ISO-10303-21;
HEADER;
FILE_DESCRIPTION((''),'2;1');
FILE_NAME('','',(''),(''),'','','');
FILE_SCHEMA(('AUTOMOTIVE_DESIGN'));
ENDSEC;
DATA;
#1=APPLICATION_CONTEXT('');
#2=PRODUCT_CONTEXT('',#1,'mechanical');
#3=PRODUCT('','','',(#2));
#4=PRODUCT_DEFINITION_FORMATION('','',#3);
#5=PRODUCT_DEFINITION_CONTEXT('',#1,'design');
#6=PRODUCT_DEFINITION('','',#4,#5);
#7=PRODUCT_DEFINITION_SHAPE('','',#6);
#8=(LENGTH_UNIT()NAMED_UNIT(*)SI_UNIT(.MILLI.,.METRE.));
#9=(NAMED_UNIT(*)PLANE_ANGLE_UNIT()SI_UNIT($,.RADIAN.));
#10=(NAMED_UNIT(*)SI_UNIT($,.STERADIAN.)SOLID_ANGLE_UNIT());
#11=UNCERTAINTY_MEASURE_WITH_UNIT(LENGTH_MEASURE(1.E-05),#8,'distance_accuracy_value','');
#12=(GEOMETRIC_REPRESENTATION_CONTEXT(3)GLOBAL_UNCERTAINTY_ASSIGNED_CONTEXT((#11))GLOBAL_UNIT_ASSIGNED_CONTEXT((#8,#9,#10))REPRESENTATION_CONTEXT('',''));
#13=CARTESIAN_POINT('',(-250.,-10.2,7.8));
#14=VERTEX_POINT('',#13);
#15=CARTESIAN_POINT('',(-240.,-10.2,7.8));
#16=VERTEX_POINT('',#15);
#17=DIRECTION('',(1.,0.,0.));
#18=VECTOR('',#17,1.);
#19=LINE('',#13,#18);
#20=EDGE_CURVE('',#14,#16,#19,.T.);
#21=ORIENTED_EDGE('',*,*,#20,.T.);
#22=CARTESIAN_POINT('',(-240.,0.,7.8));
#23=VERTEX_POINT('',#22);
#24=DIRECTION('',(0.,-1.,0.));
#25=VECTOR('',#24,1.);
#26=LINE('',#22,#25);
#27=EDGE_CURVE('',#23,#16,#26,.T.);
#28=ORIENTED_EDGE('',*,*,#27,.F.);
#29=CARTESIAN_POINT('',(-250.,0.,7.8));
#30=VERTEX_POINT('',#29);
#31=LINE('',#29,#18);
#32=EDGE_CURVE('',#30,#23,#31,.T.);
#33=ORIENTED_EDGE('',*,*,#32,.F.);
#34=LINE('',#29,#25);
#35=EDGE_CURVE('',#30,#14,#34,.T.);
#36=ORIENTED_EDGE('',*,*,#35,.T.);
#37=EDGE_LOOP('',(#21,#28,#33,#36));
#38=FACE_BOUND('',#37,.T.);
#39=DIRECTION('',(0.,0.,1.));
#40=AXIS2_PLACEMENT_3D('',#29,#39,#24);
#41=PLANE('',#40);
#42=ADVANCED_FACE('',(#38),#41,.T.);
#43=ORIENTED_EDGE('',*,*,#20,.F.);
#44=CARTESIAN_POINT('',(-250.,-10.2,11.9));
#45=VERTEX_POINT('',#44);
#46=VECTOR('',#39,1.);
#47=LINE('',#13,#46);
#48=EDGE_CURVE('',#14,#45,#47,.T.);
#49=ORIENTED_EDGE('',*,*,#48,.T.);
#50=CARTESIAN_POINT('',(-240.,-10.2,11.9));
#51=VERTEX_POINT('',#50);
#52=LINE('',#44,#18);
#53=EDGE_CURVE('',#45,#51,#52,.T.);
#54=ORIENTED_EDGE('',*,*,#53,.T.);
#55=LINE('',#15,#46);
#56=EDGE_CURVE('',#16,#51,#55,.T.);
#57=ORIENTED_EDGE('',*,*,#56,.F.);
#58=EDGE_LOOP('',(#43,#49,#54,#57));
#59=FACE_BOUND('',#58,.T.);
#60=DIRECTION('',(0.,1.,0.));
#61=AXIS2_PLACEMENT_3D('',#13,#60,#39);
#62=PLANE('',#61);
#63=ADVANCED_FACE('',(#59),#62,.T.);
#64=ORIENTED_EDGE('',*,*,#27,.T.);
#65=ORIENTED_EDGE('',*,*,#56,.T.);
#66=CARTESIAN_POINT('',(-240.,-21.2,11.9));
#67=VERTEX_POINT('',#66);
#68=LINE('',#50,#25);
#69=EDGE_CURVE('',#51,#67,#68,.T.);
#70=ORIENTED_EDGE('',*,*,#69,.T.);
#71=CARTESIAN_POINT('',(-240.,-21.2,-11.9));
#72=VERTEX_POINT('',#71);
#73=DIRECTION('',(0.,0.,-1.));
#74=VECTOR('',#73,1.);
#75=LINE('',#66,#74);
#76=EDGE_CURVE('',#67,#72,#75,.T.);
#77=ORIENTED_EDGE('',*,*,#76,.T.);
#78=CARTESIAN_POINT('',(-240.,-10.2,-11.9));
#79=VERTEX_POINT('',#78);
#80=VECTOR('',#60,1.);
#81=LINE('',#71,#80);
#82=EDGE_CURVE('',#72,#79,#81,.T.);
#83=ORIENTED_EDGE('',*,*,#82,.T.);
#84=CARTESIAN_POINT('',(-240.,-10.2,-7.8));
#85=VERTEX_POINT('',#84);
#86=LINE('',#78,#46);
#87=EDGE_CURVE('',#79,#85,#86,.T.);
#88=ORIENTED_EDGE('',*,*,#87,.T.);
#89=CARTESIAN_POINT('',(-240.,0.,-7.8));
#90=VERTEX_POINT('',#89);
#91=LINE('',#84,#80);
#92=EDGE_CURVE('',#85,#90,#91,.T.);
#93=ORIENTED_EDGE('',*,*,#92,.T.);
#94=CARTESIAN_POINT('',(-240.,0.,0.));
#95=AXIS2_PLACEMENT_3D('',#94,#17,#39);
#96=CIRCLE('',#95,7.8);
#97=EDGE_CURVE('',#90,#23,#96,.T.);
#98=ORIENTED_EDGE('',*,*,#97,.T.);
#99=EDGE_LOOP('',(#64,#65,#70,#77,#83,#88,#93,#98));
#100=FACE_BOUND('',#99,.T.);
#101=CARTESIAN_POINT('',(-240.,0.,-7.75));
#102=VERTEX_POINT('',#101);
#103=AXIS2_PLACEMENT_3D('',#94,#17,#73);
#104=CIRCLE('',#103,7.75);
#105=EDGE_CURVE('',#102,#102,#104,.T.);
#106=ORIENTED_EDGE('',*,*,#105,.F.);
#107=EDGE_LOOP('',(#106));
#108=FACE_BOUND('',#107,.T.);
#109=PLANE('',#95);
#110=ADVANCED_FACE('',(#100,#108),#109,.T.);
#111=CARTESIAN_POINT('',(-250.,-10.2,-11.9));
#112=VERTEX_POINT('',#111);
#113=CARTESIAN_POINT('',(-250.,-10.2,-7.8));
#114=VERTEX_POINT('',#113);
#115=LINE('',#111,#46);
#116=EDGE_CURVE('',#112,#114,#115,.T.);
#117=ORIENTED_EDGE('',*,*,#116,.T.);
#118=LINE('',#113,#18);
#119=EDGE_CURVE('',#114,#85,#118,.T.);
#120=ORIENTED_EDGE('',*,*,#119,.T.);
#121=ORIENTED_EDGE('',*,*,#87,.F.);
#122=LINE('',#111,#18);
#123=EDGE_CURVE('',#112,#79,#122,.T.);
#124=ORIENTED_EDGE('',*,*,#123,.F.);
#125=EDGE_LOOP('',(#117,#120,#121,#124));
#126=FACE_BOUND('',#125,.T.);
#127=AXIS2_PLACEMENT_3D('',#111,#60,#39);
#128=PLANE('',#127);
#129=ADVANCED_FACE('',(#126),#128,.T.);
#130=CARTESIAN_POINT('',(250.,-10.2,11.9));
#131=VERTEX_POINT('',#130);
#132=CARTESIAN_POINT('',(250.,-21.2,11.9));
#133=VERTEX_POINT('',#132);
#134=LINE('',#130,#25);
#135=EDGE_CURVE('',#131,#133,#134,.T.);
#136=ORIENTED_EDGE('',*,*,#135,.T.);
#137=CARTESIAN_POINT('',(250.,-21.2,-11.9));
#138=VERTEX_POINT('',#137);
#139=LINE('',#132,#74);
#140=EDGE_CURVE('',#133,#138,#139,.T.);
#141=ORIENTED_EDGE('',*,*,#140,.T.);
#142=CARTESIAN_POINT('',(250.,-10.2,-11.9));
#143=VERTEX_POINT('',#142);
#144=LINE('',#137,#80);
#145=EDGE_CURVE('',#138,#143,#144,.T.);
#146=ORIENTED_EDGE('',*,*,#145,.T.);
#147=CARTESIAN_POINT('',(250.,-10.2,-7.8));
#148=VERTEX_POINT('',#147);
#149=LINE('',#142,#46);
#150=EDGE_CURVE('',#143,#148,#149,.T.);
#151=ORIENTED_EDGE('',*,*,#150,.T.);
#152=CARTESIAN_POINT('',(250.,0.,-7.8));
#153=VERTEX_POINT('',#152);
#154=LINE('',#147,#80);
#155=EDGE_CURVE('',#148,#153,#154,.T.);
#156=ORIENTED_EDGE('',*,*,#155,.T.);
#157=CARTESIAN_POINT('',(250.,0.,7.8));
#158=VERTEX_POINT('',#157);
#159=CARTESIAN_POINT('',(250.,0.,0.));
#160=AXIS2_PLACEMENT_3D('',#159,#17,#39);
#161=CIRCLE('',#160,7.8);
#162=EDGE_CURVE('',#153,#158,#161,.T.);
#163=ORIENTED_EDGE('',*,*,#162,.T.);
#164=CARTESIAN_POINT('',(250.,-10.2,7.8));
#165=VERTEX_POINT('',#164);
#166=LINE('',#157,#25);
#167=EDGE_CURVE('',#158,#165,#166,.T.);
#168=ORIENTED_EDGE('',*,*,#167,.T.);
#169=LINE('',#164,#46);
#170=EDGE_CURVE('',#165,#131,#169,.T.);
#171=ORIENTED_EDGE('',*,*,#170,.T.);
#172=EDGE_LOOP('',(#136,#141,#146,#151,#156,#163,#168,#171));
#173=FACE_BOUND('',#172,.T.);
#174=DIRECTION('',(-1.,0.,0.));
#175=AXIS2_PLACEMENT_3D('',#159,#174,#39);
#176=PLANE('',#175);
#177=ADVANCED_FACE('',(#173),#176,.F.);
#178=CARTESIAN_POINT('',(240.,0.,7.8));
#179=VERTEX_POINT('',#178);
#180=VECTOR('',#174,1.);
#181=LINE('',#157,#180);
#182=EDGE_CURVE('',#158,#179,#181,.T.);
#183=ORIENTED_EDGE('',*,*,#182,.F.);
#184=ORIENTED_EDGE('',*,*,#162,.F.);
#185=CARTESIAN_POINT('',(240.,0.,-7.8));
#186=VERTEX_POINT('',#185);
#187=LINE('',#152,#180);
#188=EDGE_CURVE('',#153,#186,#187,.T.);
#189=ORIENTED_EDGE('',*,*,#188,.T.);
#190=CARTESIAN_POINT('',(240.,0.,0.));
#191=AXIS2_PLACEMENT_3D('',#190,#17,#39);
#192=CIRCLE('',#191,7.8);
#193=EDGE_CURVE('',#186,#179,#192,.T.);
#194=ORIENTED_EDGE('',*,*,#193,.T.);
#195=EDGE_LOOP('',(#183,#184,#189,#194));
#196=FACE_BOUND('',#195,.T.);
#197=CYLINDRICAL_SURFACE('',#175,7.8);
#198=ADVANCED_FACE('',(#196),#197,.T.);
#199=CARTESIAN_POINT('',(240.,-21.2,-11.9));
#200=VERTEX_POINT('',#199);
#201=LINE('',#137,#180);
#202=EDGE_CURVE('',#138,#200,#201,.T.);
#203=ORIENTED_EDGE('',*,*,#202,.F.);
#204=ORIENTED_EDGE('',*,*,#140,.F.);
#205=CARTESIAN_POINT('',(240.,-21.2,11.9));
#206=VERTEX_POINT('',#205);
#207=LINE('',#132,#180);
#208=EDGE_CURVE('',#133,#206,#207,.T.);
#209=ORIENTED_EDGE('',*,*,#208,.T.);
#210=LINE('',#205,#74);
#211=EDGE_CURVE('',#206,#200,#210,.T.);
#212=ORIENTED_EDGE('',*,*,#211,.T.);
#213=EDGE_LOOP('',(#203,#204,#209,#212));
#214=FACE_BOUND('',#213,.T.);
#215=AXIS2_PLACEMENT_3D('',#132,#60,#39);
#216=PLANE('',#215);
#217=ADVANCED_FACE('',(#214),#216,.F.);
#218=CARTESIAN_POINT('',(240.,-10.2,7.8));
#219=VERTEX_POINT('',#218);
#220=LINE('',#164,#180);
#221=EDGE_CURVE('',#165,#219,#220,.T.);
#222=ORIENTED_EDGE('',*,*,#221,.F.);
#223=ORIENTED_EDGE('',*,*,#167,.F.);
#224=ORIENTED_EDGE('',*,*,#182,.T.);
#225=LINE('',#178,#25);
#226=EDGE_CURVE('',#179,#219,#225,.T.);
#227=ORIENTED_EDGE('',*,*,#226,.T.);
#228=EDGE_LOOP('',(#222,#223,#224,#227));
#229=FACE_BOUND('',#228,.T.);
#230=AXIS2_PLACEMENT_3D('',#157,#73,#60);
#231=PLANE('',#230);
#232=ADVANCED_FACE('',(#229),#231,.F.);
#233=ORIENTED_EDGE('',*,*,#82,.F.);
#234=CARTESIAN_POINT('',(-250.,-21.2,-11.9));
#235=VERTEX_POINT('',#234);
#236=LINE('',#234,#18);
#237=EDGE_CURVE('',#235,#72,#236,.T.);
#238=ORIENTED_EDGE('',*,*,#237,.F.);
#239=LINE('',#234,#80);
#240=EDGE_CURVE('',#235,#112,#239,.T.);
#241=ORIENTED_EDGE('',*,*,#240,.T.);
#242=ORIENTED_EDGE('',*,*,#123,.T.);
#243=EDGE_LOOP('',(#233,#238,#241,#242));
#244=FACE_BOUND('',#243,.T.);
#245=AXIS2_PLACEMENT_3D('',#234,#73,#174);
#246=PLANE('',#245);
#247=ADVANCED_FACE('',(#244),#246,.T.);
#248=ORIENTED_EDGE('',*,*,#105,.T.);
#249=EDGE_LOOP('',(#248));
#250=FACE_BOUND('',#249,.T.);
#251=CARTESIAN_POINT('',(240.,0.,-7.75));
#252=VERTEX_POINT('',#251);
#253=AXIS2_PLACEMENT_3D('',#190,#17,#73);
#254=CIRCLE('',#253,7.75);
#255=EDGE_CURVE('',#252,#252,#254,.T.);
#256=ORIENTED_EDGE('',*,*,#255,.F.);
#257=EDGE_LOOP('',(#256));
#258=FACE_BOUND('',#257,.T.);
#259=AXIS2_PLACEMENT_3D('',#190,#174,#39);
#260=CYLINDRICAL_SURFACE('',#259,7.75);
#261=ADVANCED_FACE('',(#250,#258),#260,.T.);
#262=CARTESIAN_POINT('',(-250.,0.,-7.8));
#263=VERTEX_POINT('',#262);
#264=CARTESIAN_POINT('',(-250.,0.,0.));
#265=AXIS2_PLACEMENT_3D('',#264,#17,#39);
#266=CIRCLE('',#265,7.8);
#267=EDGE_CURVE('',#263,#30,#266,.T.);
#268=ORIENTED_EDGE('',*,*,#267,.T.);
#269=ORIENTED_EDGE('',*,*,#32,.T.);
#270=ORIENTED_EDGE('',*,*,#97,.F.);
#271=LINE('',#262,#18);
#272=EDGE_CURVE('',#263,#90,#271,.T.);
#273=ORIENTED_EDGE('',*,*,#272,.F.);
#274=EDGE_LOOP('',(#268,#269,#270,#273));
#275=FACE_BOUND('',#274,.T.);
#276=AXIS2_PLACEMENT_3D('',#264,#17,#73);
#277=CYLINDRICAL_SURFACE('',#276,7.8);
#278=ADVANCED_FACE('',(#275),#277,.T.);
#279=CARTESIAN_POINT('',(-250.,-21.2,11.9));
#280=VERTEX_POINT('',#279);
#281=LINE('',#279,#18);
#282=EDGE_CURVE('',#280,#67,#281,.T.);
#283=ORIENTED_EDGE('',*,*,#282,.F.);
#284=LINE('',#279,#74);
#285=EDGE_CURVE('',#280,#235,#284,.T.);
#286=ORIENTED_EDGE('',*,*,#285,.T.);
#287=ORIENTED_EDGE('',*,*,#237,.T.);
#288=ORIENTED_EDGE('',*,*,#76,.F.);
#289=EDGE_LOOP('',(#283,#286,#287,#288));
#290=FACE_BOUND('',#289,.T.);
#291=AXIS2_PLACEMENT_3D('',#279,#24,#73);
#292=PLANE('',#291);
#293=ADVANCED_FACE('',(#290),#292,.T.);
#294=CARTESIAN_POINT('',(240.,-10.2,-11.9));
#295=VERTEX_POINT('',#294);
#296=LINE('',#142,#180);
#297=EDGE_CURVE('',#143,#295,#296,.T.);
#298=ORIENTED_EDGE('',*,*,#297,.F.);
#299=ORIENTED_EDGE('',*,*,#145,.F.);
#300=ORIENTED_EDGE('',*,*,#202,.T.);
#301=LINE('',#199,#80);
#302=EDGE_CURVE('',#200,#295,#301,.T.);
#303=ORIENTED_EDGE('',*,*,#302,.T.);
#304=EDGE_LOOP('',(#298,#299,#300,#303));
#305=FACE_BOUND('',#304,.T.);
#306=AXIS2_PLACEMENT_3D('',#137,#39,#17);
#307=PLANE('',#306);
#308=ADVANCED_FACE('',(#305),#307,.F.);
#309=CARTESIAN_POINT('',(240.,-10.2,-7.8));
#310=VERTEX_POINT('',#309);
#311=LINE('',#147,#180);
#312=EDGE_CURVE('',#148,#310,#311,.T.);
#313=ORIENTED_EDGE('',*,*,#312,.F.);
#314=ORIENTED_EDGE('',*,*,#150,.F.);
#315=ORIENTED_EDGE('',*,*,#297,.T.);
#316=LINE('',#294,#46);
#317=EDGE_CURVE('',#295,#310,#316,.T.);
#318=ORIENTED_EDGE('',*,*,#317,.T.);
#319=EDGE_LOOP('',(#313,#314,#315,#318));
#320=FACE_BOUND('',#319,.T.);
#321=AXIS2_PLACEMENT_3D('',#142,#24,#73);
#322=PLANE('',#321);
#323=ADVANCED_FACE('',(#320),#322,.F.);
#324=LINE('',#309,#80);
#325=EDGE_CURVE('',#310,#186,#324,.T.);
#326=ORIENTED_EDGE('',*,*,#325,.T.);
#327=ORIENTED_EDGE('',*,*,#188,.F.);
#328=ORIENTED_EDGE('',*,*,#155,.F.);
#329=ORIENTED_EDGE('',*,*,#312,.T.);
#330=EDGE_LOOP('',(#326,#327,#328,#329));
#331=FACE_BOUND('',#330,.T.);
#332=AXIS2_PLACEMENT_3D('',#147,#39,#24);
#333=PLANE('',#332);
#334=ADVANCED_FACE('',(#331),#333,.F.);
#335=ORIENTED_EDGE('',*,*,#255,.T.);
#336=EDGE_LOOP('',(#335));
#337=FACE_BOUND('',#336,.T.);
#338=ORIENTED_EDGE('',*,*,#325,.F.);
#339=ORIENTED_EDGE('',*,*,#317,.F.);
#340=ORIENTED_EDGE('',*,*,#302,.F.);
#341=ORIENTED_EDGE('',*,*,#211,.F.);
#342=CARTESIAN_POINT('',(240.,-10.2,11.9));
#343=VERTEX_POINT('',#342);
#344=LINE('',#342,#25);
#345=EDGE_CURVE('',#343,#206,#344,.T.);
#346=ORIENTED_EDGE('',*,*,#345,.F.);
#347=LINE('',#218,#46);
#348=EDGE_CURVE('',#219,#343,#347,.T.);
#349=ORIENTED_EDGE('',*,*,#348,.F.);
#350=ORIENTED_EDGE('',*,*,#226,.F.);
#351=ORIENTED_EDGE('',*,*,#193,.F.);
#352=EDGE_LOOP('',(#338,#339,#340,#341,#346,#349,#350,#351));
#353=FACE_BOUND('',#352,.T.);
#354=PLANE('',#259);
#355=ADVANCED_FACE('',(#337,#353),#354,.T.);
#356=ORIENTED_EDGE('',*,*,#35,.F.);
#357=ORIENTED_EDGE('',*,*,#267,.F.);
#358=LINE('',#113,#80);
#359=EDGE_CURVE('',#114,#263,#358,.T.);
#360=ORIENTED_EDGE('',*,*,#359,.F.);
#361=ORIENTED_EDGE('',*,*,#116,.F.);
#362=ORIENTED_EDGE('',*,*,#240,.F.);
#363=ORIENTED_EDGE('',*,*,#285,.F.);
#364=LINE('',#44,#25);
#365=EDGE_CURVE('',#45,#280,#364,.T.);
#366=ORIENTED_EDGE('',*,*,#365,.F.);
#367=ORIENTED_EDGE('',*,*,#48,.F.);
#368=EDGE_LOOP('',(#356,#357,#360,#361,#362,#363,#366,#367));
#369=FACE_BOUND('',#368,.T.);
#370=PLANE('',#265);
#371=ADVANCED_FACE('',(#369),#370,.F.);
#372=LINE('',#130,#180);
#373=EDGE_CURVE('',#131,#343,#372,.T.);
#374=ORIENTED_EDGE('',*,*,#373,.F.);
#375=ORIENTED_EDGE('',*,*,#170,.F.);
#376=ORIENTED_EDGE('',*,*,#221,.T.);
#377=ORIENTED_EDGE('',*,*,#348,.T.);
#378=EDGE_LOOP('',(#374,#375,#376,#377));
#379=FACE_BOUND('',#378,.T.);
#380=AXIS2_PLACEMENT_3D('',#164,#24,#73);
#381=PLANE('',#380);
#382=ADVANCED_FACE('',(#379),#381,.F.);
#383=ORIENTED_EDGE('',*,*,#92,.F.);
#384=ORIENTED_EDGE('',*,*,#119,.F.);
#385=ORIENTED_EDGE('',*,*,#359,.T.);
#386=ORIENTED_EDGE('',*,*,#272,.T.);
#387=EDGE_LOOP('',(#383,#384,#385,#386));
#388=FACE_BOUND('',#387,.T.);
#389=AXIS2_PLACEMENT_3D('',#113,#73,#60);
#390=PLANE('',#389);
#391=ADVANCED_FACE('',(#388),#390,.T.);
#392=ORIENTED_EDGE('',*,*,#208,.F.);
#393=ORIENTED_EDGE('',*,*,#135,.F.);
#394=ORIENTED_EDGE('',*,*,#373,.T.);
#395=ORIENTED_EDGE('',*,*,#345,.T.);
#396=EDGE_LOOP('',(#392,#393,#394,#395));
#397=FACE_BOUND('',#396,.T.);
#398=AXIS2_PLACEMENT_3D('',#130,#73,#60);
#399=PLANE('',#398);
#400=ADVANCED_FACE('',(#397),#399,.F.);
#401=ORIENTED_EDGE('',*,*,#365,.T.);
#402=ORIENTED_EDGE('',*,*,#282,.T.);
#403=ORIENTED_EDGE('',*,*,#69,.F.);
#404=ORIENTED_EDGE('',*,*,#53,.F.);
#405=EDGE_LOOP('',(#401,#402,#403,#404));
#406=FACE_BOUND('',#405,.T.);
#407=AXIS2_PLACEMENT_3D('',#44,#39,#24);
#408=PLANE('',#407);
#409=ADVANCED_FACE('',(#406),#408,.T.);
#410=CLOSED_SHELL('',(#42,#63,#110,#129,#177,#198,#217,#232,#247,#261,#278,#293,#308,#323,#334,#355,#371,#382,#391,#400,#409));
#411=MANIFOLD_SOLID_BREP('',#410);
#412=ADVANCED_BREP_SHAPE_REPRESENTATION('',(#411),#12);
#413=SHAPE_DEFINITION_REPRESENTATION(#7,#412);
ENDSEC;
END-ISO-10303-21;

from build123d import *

# Parameters (mm, degrees)
SKETCH1_R           = 7.75
BOSS_EXTRUDE1_DEPTH = 240
BOSS_EXTRUDE2_DEPTH = 10


with BuildPart() as part:
    # Sketch1 → Boss-Extrude1 (new body)
    with BuildSketch(Plane(origin=(0, 0, 0), x_dir=(0, 0, -1), z_dir=(1, 0, 0))):
        Circle(SKETCH1_R)
    boss_extrude1 = extrude(amount=BOSS_EXTRUDE1_DEPTH)

    # Sketch2 → Boss-Extrude2 (add)
    with BuildSketch(Plane(origin=(240, 0, 0), x_dir=(0, 0, -1), z_dir=(1, 0, 0))):
        with BuildLine():
            Line((-7.8, 0), (-7.8, -10.2))
            Line((-7.8, -10.2), (-11.9, -10.2))
            Line((-11.9, -10.2), (-11.9, -21.2))
            Line((-11.9, -21.2), (11.9, -21.2))
            Line((11.9, -21.2), (11.9, -10.2))
            Line((11.9, -10.2), (7.8, -10.2))
            Line((7.8, -10.2), (7.8, 0))
            ThreePointArc((7.8, 0), (0, 7.8), (-7.8, 0))
        make_face()
    boss_extrude2 = extrude(amount=BOSS_EXTRUDE2_DEPTH)

    # Mirror1: Boss-Extrude1, Boss-Extrude2 across plane
    add(boss_extrude1.mirror(Plane.ZY))
    add(boss_extrude2.mirror(Plane.ZY))


solid = part.part
